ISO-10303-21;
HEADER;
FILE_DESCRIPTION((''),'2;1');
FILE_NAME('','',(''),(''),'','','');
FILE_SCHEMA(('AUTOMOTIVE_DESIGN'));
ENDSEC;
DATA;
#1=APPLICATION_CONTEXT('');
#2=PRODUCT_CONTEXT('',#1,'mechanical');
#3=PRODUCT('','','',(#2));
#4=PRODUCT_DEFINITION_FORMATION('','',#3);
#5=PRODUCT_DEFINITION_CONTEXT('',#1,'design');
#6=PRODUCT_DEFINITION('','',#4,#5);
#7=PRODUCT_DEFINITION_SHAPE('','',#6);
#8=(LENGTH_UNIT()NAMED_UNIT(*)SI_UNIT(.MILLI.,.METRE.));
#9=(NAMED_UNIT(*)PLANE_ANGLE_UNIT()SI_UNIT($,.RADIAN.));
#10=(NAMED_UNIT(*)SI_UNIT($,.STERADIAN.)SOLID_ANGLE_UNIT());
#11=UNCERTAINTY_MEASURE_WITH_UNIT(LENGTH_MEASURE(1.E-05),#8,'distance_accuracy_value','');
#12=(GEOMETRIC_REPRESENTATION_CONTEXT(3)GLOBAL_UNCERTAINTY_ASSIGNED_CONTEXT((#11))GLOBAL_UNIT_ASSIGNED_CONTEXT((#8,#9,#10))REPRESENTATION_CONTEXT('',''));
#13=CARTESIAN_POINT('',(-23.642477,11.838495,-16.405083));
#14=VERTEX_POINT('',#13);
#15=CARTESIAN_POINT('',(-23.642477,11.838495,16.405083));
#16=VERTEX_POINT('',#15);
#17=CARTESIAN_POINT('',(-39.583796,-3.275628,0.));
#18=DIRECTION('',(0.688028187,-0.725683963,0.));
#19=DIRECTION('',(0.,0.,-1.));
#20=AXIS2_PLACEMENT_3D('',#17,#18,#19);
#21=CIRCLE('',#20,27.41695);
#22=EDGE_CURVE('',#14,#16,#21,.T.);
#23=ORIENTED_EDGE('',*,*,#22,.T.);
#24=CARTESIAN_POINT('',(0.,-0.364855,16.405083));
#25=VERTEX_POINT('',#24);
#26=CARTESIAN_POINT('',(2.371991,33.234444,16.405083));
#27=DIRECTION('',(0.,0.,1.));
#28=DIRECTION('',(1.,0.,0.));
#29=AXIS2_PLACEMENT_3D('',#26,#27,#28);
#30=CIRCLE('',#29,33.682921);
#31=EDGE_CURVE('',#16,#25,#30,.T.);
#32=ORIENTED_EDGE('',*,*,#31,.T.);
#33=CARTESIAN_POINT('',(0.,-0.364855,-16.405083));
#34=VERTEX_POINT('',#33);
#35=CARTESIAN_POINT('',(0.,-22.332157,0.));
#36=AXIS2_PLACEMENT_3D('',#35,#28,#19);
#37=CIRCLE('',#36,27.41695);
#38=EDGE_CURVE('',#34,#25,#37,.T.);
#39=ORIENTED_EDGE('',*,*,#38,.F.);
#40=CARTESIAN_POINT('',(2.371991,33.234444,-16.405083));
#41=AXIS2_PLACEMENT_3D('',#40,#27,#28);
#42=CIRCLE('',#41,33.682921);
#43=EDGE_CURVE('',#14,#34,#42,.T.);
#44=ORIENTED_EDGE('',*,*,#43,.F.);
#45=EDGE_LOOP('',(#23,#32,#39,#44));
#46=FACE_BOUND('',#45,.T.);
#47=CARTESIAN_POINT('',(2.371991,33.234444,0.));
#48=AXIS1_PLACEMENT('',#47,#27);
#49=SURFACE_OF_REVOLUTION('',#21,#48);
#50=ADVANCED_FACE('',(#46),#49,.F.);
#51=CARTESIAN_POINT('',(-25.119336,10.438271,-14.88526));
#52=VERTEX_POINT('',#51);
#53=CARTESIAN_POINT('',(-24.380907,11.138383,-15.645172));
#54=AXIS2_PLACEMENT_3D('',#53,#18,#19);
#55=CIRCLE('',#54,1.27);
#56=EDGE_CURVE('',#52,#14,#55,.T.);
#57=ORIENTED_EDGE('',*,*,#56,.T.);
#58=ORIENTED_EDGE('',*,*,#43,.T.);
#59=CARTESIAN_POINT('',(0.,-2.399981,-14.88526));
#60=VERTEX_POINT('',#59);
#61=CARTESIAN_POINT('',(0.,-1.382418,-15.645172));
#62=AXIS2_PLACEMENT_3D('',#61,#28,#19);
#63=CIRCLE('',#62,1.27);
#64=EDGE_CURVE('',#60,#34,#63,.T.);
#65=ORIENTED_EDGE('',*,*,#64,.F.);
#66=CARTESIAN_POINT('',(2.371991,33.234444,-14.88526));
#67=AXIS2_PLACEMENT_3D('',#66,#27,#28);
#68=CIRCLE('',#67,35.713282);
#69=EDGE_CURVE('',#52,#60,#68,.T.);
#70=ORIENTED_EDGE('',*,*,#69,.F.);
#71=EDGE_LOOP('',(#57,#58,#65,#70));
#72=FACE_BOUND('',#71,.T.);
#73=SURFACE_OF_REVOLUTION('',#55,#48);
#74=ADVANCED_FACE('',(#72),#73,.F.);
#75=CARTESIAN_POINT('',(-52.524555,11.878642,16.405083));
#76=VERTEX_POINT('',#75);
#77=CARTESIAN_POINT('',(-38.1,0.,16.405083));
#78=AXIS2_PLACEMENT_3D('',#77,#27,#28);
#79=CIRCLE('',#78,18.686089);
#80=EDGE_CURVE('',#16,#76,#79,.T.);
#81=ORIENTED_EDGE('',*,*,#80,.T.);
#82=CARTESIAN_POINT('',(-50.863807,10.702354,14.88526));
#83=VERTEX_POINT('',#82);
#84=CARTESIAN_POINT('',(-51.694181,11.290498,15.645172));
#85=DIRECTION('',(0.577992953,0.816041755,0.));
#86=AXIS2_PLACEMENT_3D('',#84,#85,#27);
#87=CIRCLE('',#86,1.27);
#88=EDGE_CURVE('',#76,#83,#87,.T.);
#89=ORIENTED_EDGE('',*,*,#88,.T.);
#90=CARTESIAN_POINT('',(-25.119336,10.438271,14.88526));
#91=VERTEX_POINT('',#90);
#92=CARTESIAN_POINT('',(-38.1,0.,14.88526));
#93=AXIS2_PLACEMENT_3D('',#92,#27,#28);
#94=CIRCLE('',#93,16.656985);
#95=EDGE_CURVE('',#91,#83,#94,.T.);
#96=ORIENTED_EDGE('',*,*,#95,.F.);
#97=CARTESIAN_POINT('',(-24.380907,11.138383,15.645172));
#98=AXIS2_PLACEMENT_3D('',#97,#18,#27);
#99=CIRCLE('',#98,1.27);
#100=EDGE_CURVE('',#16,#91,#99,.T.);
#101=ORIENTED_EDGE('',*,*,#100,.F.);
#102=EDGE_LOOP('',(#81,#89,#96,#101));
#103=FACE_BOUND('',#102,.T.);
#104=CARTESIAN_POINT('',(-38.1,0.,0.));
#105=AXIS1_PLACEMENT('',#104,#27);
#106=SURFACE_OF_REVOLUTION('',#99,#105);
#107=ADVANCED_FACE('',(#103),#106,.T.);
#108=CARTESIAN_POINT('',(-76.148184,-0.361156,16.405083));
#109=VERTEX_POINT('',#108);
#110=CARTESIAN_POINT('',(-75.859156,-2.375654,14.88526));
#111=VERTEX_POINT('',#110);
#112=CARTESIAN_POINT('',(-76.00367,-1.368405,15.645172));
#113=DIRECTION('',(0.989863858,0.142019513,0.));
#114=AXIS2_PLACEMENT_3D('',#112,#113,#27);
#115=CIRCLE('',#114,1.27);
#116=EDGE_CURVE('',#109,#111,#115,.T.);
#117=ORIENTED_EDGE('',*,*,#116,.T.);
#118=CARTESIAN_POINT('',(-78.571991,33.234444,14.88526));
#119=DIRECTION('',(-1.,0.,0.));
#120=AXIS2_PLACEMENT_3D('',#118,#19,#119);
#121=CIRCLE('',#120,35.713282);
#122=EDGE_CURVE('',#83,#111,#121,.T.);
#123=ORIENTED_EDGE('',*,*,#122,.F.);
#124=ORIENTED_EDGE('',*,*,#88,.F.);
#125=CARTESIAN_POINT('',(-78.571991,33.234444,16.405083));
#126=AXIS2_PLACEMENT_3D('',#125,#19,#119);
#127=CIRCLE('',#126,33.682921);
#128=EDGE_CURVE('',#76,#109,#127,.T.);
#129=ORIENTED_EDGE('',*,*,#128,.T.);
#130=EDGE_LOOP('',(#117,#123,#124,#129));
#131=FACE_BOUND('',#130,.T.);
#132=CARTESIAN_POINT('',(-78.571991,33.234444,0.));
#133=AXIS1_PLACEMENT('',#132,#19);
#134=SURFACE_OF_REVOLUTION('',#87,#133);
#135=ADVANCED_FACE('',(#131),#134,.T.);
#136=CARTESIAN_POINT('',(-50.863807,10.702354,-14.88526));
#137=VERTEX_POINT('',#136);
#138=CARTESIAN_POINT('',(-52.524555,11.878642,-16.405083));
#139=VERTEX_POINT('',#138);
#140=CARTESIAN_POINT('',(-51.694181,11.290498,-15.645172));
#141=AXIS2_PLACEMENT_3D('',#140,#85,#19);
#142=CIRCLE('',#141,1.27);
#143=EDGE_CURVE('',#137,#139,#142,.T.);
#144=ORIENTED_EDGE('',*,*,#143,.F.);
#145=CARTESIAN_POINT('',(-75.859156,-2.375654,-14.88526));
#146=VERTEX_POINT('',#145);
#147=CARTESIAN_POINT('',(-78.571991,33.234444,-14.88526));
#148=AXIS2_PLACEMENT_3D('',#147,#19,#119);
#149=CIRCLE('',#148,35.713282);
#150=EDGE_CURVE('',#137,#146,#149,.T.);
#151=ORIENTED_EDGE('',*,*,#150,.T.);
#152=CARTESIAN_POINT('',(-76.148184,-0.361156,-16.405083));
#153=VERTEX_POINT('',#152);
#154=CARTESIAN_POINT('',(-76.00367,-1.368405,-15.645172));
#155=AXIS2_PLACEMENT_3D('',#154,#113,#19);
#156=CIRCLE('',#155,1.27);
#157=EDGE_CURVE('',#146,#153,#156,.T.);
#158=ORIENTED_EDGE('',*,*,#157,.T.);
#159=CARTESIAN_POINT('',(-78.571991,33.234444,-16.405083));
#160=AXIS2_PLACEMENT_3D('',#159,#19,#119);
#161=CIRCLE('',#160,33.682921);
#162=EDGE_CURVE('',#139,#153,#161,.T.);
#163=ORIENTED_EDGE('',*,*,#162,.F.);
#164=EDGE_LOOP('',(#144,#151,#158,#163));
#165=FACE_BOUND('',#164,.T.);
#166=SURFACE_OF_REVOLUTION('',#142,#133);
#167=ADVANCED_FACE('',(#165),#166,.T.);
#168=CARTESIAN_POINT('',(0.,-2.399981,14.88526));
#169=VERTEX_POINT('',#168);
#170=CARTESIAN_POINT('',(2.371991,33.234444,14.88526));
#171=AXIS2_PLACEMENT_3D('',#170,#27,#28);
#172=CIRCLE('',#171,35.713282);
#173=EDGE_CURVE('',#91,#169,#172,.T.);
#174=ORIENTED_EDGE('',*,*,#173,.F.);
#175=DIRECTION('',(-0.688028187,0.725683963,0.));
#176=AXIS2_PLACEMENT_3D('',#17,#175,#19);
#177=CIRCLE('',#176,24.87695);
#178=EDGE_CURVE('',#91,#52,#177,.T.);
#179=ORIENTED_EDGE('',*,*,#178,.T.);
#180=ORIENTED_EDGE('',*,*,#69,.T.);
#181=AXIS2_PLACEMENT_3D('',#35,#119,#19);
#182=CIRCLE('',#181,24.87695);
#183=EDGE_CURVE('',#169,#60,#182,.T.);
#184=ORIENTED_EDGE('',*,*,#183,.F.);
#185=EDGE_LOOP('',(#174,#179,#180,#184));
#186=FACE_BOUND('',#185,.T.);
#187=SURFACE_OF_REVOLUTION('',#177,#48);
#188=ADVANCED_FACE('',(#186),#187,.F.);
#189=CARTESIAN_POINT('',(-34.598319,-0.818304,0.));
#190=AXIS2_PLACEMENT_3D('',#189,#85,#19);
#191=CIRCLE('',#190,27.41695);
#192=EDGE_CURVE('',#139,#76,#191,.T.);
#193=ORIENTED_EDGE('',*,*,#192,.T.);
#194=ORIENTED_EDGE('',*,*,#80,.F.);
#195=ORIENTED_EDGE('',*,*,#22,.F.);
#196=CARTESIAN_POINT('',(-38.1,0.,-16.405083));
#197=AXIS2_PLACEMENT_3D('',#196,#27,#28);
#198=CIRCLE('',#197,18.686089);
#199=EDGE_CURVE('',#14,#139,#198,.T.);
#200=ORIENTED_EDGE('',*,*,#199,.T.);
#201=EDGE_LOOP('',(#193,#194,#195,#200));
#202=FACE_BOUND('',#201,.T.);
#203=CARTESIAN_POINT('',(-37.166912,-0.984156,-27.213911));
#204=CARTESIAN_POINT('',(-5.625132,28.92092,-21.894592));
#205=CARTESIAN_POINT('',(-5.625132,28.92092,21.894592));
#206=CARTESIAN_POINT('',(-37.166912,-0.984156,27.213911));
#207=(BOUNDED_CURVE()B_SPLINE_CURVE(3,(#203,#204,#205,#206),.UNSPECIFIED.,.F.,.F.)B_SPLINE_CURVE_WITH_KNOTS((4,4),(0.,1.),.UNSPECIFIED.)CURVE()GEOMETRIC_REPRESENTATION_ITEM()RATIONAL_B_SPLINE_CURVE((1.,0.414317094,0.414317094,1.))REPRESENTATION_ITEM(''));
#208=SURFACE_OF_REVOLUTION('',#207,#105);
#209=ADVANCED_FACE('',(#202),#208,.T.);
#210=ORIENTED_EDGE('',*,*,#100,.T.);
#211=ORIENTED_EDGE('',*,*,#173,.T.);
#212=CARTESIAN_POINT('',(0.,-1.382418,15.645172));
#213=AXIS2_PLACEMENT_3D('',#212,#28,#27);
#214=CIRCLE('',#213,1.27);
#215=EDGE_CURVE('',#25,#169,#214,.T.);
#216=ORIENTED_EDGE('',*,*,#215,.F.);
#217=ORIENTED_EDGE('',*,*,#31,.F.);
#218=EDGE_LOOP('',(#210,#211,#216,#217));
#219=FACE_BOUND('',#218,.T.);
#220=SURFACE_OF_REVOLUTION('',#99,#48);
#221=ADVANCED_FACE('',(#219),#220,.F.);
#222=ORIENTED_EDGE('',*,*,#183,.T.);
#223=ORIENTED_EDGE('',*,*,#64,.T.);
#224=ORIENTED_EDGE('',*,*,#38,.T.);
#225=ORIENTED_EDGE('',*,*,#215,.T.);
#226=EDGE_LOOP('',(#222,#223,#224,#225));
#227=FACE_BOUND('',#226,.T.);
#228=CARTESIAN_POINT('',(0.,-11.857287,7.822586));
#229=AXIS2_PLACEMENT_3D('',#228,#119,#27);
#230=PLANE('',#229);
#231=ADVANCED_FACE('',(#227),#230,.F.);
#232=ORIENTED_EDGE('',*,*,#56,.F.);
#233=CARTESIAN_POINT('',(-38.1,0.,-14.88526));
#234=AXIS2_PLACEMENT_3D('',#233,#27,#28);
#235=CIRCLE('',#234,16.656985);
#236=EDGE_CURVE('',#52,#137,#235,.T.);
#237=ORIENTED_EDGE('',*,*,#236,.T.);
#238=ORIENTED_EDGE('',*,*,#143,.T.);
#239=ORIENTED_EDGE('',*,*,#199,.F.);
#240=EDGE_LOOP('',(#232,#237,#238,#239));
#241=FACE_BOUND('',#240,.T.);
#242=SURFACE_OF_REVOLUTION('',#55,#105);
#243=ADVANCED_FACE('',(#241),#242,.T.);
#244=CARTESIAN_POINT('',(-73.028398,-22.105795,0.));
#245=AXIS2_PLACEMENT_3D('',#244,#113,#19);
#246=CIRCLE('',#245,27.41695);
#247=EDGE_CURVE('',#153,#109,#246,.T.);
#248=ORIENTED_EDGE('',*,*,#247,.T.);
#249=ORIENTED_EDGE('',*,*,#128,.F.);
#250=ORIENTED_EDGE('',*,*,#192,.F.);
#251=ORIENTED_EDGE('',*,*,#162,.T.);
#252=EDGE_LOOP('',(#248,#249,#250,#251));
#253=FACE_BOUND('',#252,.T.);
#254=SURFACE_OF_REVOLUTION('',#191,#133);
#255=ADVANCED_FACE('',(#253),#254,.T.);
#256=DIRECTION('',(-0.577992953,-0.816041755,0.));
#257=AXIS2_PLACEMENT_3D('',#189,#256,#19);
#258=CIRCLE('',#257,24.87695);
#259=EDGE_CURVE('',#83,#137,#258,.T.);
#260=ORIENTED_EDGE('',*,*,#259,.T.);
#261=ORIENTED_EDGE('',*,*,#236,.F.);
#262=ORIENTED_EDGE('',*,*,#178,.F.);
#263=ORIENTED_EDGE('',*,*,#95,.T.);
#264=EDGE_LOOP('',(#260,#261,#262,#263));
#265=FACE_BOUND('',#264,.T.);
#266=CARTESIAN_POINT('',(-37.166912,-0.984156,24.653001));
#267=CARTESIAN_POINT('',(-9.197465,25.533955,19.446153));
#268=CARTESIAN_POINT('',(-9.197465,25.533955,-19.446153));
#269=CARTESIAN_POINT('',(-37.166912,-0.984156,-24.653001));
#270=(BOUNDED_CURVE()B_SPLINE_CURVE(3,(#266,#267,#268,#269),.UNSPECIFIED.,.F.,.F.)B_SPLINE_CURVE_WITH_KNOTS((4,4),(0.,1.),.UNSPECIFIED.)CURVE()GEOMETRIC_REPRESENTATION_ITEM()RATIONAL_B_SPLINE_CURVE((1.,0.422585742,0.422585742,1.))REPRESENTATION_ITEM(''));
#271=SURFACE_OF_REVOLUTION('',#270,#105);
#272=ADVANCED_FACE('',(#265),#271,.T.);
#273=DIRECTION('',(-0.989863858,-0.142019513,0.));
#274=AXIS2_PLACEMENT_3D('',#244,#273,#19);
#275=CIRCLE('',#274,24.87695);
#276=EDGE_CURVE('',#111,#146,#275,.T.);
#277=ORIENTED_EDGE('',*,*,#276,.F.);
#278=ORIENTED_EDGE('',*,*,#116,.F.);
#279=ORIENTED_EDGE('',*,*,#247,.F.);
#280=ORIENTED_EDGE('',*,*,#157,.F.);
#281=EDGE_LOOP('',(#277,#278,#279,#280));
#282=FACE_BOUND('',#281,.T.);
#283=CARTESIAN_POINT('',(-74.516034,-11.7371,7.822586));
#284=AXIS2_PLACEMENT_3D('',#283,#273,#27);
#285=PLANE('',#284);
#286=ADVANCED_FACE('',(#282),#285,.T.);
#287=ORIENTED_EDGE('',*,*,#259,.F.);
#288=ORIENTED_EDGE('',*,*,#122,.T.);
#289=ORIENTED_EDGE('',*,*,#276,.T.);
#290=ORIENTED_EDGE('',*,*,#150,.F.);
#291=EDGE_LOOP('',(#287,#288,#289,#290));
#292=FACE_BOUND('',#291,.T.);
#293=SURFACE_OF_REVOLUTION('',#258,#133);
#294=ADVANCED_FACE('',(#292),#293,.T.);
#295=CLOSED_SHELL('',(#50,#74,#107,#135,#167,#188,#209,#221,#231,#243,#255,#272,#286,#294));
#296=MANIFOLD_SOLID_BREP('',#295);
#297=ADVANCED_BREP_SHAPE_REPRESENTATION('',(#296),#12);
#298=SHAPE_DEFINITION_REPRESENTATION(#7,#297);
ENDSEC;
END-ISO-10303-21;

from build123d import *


with BuildPart() as part:
    # Sweep1: sweep along a path in Sketch4
    with BuildLine(Plane.XY) as sweep1_path:
        ThreePointArc((0, 0), (-12.933123295, 3.638699735), (-23.377708341, 12.089525561))
        ThreePointArc((-23.377708341, 12.089525561), (-38.1, 19.05), (-52.822291659, 12.089525561))
        ThreePointArc((-52.822291659, 12.089525561), (-63.266876705, 3.638699735), (-76.2, 0))
    # Sketch2 → Sweep1 (sweep)
    with BuildSketch(Plane(origin=(0, 0, 0), x_dir=(0, 0, -1), z_dir=(1, 0, 0))):
        with BuildLine():
            ThreePointArc((14.885260382, -2.399980647), (0, 2.544792821), (-14.885260382, -2.399980647))
            ThreePointArc((-14.885260382, -2.399980647), (-16.662734914, -2.14232916), (-16.405083427, -0.364854628))
            ThreePointArc((-16.405083427, -0.364854628), (0, 5.084792821), (16.405083427, -0.364854628))
            ThreePointArc((16.405083427, -0.364854628), (16.662734914, -2.14232916), (14.885260382, -2.399980647))
        make_face()
    sweep(path=sweep1_path.line)


solid = part.part
